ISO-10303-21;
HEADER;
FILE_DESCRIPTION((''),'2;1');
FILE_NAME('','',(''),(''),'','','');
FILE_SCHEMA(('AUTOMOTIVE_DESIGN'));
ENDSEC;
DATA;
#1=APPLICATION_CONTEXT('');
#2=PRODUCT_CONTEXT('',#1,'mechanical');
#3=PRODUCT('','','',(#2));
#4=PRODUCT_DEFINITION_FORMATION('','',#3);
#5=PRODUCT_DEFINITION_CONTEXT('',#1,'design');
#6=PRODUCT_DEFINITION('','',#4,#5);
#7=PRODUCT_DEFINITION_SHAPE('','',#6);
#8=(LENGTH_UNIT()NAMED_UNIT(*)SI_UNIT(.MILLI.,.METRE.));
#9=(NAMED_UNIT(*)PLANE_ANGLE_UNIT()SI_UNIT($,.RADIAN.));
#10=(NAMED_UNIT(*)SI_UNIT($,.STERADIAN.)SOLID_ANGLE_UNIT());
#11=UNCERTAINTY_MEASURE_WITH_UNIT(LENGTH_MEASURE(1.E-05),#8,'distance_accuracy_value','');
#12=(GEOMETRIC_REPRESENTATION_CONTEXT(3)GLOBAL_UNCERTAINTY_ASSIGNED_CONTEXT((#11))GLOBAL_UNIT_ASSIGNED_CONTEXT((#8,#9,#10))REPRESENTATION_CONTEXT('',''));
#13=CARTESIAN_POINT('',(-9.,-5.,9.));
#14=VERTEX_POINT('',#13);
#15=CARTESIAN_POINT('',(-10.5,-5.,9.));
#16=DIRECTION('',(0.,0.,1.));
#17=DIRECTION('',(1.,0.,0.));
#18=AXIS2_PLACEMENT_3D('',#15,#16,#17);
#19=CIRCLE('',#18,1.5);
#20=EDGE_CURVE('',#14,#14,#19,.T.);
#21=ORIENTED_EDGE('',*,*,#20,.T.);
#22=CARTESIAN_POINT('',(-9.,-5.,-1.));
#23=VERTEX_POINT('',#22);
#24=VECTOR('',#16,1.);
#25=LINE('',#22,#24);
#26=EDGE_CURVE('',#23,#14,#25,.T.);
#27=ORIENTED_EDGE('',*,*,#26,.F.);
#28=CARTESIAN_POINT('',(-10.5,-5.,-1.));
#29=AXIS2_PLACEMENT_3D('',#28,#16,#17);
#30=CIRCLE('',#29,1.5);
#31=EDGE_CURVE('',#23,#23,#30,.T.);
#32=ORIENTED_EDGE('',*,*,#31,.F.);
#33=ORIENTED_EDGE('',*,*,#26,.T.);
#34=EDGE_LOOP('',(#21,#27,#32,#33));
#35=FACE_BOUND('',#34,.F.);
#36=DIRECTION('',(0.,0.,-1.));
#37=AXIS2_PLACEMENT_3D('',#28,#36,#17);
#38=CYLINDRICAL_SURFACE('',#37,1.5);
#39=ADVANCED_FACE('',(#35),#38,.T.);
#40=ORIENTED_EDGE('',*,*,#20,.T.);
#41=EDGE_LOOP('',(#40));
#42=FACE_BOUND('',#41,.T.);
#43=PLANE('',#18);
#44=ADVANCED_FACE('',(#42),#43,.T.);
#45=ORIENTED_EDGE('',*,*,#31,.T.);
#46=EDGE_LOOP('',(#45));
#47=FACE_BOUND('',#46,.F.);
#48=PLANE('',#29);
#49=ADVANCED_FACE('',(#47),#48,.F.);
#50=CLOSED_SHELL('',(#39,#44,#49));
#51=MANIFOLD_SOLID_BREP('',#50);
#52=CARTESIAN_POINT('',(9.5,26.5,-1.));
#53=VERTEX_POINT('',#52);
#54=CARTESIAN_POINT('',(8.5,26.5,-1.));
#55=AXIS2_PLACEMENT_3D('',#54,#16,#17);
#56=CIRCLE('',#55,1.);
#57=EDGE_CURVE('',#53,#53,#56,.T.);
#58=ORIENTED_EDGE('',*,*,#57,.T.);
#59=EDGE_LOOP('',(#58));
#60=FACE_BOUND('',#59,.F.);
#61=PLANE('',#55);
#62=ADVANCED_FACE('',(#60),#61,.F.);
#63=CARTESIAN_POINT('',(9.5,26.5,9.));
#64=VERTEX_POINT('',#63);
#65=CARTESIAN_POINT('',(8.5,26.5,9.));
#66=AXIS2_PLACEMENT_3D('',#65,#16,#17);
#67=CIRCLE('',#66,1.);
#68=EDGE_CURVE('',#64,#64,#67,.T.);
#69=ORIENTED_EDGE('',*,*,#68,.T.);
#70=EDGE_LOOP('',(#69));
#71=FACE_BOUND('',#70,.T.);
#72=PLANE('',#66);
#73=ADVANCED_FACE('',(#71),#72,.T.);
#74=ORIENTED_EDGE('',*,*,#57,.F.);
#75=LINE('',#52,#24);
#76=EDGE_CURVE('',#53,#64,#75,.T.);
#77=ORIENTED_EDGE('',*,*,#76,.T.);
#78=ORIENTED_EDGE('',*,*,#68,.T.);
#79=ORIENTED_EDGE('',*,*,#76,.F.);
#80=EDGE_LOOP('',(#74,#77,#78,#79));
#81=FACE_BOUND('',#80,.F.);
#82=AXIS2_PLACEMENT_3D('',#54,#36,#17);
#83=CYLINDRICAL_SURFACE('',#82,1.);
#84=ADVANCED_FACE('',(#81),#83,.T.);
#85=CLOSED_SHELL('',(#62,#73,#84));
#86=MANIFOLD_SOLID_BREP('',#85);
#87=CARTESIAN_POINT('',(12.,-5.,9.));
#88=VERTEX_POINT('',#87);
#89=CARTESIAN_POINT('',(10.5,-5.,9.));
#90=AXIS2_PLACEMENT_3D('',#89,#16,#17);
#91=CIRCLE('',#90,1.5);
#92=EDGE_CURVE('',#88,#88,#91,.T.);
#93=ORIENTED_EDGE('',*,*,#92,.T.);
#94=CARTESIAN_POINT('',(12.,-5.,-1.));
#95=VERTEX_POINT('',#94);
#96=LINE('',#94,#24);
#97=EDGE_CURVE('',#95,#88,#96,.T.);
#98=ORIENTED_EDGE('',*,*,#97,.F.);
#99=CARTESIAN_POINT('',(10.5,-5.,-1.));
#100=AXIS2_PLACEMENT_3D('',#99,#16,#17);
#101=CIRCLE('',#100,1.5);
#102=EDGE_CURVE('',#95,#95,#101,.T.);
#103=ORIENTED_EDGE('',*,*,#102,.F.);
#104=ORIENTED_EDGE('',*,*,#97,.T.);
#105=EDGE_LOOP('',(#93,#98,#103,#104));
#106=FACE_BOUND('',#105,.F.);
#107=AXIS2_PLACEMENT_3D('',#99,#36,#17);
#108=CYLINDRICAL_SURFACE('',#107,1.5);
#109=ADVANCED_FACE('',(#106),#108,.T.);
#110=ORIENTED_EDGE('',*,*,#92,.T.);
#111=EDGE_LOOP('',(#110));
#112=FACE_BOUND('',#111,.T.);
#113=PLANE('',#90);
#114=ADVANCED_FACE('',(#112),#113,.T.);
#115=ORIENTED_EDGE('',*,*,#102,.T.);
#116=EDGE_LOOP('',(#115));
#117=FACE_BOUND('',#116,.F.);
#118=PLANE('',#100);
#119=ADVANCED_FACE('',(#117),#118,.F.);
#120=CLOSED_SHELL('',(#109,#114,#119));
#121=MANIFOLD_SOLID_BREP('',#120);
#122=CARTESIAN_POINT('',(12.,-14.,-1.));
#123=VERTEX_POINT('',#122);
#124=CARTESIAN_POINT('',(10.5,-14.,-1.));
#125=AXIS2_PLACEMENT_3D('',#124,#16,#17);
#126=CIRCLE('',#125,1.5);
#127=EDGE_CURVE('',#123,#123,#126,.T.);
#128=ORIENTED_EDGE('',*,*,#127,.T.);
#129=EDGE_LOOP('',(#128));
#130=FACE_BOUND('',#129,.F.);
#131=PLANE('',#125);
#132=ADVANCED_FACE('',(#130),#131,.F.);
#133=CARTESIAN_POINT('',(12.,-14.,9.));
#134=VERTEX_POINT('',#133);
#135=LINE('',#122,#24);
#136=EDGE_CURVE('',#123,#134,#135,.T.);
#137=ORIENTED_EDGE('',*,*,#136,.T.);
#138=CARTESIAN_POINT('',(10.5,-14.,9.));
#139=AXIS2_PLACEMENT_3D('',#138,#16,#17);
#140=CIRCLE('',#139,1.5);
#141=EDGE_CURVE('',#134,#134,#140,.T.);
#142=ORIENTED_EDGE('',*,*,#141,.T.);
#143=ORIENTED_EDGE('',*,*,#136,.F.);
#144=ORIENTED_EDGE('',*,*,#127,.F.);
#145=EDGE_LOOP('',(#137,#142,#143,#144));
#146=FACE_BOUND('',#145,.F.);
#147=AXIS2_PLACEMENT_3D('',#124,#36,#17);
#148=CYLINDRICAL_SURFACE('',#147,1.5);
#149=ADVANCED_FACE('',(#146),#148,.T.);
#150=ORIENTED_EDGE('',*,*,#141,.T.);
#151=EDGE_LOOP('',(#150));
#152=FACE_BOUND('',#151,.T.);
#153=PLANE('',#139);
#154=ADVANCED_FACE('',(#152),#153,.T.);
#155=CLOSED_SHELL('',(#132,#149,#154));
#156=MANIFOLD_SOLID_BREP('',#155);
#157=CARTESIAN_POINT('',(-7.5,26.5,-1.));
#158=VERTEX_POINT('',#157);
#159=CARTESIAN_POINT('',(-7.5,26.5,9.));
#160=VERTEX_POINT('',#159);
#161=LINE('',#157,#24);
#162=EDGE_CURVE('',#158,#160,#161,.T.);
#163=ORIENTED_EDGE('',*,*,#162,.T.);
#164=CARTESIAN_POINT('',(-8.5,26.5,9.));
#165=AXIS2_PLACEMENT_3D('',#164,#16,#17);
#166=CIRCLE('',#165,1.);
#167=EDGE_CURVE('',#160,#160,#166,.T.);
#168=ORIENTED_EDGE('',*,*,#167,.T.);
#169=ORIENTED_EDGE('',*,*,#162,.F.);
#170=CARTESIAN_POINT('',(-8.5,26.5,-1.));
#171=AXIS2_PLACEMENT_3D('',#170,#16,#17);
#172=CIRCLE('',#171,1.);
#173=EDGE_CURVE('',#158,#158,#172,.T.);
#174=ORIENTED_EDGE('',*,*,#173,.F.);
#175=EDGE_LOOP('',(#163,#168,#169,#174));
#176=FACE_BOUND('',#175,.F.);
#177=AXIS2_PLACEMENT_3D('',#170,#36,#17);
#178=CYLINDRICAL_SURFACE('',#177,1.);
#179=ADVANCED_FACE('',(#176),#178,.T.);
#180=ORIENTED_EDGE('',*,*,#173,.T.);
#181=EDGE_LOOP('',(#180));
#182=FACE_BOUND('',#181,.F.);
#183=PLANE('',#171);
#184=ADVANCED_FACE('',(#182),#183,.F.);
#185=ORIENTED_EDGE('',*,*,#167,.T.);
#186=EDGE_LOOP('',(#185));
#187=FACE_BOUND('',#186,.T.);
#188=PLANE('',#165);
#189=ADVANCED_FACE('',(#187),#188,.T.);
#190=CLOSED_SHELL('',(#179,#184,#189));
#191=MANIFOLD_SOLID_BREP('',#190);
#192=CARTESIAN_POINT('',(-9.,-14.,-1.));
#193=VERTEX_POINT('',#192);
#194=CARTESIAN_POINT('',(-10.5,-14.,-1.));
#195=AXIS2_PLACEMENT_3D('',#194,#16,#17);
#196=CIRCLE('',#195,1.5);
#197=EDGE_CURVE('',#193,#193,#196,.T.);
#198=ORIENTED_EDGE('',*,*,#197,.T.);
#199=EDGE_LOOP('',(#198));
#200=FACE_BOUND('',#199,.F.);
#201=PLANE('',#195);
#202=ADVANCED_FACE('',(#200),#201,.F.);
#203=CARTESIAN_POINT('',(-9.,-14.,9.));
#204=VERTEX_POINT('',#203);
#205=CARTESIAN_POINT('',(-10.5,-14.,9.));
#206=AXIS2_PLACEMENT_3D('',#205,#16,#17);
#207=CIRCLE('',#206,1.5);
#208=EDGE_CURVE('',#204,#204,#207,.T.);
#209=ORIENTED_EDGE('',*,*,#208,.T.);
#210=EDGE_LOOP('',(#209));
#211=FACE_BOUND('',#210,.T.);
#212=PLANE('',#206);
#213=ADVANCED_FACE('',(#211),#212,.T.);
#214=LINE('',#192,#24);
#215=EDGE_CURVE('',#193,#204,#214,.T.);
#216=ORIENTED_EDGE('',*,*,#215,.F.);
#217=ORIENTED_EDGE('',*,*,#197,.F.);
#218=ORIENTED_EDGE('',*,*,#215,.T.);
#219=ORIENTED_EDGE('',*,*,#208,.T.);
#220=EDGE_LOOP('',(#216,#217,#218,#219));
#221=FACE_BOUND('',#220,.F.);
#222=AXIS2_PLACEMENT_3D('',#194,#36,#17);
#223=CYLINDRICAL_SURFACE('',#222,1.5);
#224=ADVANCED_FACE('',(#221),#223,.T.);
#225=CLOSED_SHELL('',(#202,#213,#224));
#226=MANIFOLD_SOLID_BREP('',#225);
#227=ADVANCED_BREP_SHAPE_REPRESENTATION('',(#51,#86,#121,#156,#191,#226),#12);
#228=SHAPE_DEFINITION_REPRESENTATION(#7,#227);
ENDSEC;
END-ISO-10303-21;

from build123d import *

# Parameters (mm, degrees)
CYLINDER035_R     = 1.5
CYLINDER035_DEPTH = 10
CYLINDER036_R     = 1.5
CYLINDER036_DEPTH = 10
CYLINDER037_R     = 1.5
CYLINDER037_DEPTH = 10
CYLINDER038_R     = 1
CYLINDER038_DEPTH = 10
CYLINDER039_R     = 1
CYLINDER039_DEPTH = 10
CYLINDER034_R     = 1.5
CYLINDER034_DEPTH = 10


with BuildPart() as taladro008:
    # Cylinder035 → Cylinder035 (new body)
    with BuildSketch(Plane(origin=(-10.5, -14, -1), x_dir=(1, 0, 0), z_dir=(0, 0, 1))):
        Circle(CYLINDER035_R)
    extrude(amount=CYLINDER035_DEPTH)


with BuildPart() as taladro009:
    # Cylinder036 → Cylinder036 (new body)
    with BuildSketch(Plane(origin=(10.5, -5, -1), x_dir=(1, 0, 0), z_dir=(0, 0, 1))):
        Circle(CYLINDER036_R)
    extrude(amount=CYLINDER036_DEPTH)


with BuildPart() as taladro010:
    # Cylinder037 → Cylinder037 (new body)
    with BuildSketch(Plane(origin=(10.5, -14, -1), x_dir=(1, 0, 0), z_dir=(0, 0, 1))):
        Circle(CYLINDER037_R)
    extrude(amount=CYLINDER037_DEPTH)


with BuildPart() as taladro011:
    # Cylinder038 → Cylinder038 (new body)
    with BuildSketch(Plane(origin=(-8.5, 26.5, -1), x_dir=(1, 0, 0), z_dir=(0, 0, 1))):
        Circle(CYLINDER038_R)
    extrude(amount=CYLINDER038_DEPTH)


with BuildPart() as taladro012:
    # Cylinder039 → Cylinder039 (new body)
    with BuildSketch(Plane(origin=(8.5, 26.5, -1), x_dir=(1, 0, 0), z_dir=(0, 0, 1))):
        Circle(CYLINDER039_R)
    extrude(amount=CYLINDER039_DEPTH)


with BuildPart() as taladros_b:
    # Cylinder034 → Cylinder034 (new body)
    with BuildSketch(Plane(origin=(-10.5, -5, -1), x_dir=(1, 0, 0), z_dir=(0, 0, 1))):
        Circle(CYLINDER034_R)
    extrude(amount=CYLINDER034_DEPTH)

    # Fusion015: union Taladro008, Taladro009, Taladro010, Taladro011, Taladro012
    add(taladro008.part)
    add(taladro009.part)
    add(taladro010.part)
    add(taladro011.part)
    add(taladro012.part)


solid = taladros_b.part
